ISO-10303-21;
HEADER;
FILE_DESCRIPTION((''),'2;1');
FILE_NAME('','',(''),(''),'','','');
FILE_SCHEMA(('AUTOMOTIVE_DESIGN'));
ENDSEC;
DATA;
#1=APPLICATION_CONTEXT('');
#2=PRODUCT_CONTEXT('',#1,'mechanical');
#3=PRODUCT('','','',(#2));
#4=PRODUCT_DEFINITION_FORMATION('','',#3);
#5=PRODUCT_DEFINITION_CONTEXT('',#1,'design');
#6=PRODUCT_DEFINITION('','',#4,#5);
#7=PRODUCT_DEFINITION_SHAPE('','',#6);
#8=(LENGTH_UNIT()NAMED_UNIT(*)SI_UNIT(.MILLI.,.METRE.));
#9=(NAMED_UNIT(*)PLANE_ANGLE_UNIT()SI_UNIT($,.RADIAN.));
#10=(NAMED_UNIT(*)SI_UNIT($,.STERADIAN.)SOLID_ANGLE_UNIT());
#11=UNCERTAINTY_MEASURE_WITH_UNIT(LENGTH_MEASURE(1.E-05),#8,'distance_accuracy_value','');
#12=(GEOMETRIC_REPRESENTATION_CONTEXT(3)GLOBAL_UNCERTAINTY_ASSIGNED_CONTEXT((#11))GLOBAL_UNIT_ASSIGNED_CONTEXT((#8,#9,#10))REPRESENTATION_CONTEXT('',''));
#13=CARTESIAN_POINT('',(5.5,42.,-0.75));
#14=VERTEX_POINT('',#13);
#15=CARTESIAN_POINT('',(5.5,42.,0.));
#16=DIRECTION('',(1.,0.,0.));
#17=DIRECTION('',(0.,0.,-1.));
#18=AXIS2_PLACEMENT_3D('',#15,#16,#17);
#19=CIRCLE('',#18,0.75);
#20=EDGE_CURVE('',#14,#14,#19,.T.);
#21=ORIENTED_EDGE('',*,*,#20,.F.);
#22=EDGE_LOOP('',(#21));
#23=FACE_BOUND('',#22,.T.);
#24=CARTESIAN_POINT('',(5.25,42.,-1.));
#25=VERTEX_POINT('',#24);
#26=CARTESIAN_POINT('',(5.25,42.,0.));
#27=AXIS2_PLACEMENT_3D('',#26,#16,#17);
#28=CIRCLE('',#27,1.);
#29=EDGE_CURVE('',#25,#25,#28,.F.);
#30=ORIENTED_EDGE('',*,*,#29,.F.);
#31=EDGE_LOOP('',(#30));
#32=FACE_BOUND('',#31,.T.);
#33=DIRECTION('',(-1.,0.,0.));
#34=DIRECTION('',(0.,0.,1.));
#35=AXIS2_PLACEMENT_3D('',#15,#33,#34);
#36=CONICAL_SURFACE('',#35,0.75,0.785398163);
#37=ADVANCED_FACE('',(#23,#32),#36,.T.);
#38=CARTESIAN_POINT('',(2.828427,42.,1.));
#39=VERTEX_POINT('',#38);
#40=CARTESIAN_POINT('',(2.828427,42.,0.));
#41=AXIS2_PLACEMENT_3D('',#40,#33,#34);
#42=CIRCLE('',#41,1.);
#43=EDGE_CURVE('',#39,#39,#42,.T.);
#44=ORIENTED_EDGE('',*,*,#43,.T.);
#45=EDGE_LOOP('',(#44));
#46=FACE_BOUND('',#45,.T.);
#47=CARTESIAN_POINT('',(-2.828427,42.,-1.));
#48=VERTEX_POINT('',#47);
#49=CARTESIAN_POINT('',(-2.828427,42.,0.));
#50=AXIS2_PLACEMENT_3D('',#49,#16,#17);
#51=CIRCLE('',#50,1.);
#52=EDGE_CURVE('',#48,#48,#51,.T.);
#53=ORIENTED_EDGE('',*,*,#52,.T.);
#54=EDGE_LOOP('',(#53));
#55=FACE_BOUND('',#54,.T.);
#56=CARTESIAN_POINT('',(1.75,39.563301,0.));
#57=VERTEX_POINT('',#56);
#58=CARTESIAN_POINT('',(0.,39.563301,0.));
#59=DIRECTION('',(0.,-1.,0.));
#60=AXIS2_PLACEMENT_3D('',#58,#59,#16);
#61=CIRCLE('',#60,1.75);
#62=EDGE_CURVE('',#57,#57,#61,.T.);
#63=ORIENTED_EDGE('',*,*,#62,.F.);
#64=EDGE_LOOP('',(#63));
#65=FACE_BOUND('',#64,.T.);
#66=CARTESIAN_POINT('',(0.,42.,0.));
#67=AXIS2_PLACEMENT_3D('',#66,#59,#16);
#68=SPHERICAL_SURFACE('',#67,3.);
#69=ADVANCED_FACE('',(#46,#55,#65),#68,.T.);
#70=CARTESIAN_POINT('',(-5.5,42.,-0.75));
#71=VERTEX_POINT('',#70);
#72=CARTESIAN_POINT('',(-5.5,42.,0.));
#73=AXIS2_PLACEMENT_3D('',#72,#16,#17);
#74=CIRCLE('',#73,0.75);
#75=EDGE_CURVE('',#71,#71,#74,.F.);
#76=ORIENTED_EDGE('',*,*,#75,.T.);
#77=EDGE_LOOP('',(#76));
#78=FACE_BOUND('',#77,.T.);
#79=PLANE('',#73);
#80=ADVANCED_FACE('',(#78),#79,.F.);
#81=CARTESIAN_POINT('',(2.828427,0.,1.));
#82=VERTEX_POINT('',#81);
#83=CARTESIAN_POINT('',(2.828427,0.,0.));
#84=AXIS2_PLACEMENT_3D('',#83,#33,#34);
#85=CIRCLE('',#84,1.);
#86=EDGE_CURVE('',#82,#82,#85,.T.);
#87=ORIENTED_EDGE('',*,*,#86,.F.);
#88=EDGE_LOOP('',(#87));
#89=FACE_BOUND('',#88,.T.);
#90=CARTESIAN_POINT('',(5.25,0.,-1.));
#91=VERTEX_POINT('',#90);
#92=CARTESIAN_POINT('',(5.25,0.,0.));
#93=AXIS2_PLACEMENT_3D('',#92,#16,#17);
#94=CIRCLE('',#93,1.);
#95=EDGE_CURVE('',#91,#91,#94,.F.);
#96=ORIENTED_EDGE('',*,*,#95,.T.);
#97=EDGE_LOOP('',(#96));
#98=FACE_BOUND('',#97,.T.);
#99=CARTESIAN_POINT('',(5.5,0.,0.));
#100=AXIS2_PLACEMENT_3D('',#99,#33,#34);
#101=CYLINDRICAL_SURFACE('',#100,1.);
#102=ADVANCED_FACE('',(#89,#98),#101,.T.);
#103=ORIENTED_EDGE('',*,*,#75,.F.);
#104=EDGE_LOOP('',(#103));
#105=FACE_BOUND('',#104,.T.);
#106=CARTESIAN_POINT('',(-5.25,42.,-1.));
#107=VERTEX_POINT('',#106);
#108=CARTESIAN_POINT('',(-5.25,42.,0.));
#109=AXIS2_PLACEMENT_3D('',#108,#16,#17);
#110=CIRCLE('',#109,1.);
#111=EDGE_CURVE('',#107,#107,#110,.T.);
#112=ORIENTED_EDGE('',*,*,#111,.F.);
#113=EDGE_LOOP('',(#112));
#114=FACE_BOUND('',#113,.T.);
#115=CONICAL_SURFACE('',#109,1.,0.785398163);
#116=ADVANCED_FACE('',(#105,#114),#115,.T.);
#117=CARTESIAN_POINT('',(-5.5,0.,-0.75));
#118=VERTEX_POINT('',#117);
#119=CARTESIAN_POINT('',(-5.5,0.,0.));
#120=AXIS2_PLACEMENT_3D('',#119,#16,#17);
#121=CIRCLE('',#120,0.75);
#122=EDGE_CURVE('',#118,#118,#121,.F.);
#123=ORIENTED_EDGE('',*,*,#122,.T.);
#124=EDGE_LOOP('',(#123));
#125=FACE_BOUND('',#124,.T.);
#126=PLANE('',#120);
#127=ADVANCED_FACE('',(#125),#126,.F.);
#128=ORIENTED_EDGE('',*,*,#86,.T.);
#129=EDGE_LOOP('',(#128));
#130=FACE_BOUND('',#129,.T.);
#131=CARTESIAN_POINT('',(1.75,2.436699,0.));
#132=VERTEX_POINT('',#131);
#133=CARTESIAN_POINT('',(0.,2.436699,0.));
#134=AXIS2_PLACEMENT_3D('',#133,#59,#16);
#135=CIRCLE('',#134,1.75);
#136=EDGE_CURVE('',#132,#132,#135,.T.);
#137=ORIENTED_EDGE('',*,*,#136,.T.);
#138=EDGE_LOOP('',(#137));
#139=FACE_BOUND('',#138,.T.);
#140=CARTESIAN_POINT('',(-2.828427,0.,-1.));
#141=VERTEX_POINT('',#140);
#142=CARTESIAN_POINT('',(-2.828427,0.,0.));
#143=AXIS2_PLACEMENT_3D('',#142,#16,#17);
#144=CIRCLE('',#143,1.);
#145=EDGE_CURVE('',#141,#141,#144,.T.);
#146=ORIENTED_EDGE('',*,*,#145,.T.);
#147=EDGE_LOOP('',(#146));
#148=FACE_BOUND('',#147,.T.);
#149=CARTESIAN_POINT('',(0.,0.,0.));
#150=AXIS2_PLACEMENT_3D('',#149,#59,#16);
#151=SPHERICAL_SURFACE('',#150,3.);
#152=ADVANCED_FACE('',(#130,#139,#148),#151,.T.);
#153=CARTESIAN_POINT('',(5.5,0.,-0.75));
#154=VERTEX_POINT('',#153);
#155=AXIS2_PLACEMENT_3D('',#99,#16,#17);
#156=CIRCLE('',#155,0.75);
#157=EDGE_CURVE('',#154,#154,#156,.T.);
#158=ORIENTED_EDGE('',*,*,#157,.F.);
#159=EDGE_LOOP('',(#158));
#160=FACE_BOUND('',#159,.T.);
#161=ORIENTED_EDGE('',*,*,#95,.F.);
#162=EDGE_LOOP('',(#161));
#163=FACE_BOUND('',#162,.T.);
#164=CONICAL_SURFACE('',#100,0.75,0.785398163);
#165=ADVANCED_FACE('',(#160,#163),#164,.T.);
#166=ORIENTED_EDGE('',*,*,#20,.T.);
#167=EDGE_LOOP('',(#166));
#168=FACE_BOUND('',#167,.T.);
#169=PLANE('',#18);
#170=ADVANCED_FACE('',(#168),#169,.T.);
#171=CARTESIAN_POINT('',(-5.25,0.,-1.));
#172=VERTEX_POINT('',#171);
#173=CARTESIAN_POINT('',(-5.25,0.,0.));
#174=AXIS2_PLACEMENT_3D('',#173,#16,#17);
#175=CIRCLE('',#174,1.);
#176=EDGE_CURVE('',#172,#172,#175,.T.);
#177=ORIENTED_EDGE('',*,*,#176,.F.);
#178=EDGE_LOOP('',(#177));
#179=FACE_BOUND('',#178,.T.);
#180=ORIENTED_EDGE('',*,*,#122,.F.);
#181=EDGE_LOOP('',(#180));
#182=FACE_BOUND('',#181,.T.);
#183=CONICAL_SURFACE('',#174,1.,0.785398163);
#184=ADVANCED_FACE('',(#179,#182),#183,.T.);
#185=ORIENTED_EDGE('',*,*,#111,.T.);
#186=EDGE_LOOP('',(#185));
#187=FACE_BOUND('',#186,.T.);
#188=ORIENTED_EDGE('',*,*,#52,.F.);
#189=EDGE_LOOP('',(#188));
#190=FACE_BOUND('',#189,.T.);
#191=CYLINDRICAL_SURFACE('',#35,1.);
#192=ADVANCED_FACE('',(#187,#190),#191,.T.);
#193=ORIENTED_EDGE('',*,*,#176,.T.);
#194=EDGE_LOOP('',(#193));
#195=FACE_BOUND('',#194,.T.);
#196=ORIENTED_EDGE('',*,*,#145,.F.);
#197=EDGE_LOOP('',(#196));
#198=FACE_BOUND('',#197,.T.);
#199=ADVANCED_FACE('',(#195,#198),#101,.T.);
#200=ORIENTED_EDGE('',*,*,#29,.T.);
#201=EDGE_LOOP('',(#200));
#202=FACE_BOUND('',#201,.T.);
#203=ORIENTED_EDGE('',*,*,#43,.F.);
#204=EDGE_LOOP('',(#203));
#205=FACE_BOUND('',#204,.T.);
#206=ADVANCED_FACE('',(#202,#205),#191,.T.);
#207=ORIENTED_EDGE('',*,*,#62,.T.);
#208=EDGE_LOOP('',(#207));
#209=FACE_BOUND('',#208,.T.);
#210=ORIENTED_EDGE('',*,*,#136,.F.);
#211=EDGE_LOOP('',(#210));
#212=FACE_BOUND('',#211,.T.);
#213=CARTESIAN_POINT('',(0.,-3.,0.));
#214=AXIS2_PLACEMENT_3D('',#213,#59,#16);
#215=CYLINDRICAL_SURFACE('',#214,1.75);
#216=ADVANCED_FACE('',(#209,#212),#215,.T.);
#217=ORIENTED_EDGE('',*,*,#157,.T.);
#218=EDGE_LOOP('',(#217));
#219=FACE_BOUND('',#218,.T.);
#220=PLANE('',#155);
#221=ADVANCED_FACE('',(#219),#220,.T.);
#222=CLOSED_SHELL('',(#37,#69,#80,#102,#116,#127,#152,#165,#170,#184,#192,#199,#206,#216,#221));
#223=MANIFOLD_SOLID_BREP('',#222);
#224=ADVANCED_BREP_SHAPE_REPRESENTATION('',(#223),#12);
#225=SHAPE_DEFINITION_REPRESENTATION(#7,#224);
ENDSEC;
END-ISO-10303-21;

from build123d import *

# Parameters (mm, degrees)
ESQUISSE3_R        = 1
BOSS_EXTRU_1_DEPTH = 5.5
CHANFREIN1_SIZE    = 0.25


with BuildPart() as part:
    # Esquisse1 → Base-Révolution (revolve)
    with BuildSketch(Plane.XY):
        with BuildLine():
            Line((1.75, 39.563301414), (1.75, 2.436698586))
            ThreePointArc((1.75, 2.436698586), (2.855704445, -0.919212772), (0, -3))
            Line((0, -3), (0, 45))
            ThreePointArc((0, 45), (2.855704445, 42.919212772), (1.75, 39.563301414))
        make_face()
    revolve(axis=Axis((0, -3, 0), (0, 1, 0)))

    # Esquisse3 → Boss.-Extru.1 (add, symmetric)
    with BuildSketch(Plane(origin=(0, 0, 0), x_dir=(0, 0, -1), z_dir=(1, 0, 0))):
        Circle(ESQUISSE3_R)
        with Locations((0, 42)):
            Circle(ESQUISSE3_R)
    extrude(amount=BOSS_EXTRU_1_DEPTH, both=True)

    # Chanfrein1
    chanfrein1_edges = [part.edges().sort_by_distance(p)[0] for p in [
        (5.5, 42, 1),
        (-5.5, 42, 1),
        (5.5, 0, 1),
        (-5.5, 0, 1),
    ]]
    chamfer(chanfrein1_edges, length=CHANFREIN1_SIZE)


solid = part.part
